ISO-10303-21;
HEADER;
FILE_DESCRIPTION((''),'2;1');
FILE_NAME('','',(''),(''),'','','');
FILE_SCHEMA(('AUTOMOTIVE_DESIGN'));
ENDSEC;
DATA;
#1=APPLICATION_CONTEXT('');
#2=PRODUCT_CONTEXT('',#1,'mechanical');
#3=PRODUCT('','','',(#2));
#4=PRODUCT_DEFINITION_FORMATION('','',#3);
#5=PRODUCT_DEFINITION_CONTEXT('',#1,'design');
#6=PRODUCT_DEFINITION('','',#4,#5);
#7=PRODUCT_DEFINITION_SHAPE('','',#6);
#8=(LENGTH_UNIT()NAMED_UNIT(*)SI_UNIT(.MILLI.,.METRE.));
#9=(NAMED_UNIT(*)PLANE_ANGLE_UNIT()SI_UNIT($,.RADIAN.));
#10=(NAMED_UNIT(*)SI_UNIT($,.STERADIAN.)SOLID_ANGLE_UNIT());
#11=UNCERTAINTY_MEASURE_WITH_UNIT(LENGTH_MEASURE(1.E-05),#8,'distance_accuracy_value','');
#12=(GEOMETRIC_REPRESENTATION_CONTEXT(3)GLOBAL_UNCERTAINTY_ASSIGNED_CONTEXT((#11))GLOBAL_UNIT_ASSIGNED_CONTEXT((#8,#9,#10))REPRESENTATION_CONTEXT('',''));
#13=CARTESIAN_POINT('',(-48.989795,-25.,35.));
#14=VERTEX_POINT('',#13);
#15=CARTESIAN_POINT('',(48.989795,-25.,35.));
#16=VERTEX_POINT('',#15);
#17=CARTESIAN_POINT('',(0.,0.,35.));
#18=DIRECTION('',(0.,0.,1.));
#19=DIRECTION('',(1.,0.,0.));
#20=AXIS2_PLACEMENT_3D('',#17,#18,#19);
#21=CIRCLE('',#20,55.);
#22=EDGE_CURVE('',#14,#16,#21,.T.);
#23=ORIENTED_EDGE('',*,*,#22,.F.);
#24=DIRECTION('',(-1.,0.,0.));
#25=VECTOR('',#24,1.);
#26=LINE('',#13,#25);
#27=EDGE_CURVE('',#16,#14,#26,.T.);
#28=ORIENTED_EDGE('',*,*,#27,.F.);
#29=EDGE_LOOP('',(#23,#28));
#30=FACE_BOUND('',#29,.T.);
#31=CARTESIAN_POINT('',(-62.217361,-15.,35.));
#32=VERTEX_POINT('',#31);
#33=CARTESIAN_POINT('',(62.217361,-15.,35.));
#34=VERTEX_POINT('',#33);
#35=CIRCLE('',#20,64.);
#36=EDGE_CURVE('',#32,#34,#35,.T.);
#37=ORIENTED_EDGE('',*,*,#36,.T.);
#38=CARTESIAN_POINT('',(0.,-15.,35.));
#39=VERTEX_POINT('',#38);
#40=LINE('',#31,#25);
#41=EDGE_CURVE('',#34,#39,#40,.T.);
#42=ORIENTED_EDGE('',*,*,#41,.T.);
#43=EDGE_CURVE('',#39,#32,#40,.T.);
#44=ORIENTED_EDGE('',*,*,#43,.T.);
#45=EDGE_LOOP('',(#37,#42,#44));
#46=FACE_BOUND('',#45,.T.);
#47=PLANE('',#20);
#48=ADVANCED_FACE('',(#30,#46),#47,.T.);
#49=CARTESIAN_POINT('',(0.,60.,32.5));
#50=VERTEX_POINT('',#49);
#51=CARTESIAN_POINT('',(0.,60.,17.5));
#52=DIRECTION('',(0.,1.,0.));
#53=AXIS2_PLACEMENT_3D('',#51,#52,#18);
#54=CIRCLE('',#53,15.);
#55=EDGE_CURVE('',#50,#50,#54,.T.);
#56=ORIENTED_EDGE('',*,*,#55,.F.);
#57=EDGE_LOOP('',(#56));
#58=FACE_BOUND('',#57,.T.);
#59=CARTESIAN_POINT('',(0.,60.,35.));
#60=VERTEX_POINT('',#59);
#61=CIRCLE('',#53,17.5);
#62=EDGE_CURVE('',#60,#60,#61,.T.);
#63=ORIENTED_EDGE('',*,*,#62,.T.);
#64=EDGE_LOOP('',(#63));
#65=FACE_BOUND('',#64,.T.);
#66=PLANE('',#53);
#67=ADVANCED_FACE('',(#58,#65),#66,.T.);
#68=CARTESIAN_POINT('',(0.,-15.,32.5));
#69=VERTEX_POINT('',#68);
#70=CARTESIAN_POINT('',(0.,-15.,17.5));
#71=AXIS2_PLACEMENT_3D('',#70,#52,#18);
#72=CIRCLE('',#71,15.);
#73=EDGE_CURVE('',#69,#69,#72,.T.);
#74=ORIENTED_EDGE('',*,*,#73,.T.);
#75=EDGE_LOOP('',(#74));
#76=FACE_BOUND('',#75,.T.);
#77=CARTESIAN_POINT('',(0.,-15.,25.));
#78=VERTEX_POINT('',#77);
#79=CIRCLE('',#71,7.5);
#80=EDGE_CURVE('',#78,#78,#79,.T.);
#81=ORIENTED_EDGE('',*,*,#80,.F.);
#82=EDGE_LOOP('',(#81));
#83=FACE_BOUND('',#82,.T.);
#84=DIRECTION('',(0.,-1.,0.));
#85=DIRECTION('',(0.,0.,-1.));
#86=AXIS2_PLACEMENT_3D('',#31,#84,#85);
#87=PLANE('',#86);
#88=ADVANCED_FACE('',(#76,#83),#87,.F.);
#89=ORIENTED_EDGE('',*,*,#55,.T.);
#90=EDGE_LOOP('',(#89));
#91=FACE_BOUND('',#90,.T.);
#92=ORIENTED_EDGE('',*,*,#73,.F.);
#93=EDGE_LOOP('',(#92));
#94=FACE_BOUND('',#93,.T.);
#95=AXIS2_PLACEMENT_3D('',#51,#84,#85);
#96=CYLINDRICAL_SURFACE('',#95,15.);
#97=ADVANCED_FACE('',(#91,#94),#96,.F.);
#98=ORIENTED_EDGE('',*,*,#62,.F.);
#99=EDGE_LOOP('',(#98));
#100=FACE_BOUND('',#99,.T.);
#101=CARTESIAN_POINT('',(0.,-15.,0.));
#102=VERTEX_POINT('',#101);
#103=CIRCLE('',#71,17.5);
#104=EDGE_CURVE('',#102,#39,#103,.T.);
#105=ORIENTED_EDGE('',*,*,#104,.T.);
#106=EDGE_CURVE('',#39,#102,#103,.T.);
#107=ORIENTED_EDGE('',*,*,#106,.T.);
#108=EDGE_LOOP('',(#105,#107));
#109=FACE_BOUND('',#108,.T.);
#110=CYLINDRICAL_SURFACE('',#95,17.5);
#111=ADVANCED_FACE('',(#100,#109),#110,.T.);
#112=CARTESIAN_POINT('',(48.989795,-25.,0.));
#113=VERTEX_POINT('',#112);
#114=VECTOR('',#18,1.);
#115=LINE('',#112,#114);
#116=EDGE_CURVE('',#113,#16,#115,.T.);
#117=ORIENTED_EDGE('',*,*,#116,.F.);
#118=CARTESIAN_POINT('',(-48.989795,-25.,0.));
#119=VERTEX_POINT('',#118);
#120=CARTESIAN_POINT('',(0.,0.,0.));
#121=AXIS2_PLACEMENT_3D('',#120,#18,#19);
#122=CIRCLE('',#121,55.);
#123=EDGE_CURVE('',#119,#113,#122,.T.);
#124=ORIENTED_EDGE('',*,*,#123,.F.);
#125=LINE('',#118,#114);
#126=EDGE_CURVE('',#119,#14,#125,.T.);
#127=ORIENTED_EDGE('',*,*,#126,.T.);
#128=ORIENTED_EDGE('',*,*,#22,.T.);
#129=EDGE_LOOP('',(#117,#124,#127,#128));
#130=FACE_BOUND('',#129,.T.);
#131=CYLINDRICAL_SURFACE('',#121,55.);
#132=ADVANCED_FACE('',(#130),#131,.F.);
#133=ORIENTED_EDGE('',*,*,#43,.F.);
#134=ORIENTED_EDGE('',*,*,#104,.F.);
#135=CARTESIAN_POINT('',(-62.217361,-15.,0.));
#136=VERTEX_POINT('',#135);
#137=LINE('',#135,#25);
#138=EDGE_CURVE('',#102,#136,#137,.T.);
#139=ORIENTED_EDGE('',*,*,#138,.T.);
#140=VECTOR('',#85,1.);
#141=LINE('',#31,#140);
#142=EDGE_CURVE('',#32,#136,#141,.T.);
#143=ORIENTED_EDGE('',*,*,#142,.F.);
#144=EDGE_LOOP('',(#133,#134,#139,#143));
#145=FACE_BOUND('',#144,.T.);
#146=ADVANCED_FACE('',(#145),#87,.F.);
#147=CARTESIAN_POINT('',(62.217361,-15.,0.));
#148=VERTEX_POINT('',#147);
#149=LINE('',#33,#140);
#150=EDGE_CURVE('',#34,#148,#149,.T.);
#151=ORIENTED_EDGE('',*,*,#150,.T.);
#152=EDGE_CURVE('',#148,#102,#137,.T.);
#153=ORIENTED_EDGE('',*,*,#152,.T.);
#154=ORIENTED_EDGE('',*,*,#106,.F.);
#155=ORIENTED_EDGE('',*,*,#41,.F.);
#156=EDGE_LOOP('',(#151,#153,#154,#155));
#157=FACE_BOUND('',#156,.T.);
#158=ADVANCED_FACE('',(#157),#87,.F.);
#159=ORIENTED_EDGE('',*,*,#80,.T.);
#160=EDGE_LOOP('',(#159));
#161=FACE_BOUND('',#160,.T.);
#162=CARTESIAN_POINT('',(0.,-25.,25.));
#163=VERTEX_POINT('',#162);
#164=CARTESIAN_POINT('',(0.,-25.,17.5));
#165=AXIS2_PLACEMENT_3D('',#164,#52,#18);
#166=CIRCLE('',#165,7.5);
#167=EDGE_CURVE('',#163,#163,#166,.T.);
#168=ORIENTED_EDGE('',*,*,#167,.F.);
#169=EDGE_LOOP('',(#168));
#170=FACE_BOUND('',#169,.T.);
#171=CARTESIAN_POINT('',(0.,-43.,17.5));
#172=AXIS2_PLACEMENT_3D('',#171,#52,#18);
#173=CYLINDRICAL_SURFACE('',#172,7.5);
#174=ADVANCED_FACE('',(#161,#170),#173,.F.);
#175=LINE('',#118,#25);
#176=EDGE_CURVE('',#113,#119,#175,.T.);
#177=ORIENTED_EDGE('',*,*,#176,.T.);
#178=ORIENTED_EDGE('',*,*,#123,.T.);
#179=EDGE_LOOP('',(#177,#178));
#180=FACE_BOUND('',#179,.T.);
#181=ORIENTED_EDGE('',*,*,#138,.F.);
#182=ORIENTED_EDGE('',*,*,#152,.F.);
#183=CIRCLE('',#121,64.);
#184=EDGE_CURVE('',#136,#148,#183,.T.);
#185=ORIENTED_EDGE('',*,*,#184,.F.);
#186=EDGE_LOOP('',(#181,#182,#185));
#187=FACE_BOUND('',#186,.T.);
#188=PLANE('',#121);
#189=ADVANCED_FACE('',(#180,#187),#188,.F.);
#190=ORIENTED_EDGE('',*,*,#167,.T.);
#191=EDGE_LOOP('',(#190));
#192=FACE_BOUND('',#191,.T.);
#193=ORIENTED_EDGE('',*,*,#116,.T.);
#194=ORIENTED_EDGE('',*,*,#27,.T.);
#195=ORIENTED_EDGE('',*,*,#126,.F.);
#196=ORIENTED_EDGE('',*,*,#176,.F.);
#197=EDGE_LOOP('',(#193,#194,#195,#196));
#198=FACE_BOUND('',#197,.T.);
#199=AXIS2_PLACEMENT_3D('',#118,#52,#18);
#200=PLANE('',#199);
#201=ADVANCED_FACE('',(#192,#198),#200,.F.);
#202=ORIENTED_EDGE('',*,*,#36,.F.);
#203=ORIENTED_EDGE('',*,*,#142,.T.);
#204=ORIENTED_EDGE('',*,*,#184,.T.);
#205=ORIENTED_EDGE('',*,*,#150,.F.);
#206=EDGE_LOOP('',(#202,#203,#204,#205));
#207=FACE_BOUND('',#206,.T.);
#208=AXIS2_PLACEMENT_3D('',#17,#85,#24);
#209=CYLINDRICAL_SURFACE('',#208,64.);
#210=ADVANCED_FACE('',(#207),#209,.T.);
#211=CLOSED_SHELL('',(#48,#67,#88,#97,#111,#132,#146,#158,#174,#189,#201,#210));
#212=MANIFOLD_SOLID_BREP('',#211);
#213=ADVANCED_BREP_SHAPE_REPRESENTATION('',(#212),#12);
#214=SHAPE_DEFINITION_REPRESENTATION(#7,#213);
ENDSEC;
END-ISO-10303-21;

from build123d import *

# Parameters (mm, degrees)
Y_KSEKLIK_EKSTR_ZYON1_DEPTH = 35
KES_EKSTR_ZYON1_DEPTH       = 35
IZIM3_R                     = 17.5
IZIM3_R_2                   = 15
Y_KSEKLIK_EKSTR_ZYON2_DEPTH = 75
IZIM4_R                     = 7.5
KES_EKSTR_ZYON2_DEPTH       = 28


with BuildPart() as part:
    # Çizim1 → Yükseklik-Ekstrüzyon1 (new body)
    with BuildSketch(Plane.XY):
        with BuildLine():
            Line((-62.217360921, -15), (62.217360921, -15))
            ThreePointArc((62.217360921, -15), (0, -64), (-62.217360921, -15))
        make_face()
    extrude(amount=Y_KSEKLIK_EKSTR_ZYON1_DEPTH)

    # Çizim2 → Kes-Ekstrüzyon1 (cut)
    with BuildSketch(Plane.XY.offset(35)):
        with BuildLine():
            Line((-48.989794856, -25), (48.989794856, -25))
            ThreePointArc((48.989794856, -25), (0, -55), (-48.989794856, -25))
        make_face()
    extrude(amount=-KES_EKSTR_ZYON1_DEPTH, mode=Mode.SUBTRACT)

    # Çizim3 → Yükseklik-Ekstrüzyon2 (add)
    with BuildSketch(Plane(origin=(0, -15, 0), x_dir=(1, 0, 0), z_dir=(0, 1, 0))):
        with Locations(Location((0, -17.5, 0), (0, 0, 270))):
            Circle(IZIM3_R)
        with Locations(Location((0, -17.5, 0), (0, 0, 270))):
            Circle(IZIM3_R_2, mode=Mode.SUBTRACT)
    extrude(amount=Y_KSEKLIK_EKSTR_ZYON2_DEPTH)

    # Çizim4 → Kes-Ekstrüzyon2 (cut)
    with BuildSketch(Plane(origin=(0, -15, 0), x_dir=(1, 0, 0), z_dir=(0, 1, 0))):
        with Locations(Location((0, -17.5, 0), (0, 0, 270))):
            Circle(IZIM4_R)
    extrude(amount=-KES_EKSTR_ZYON2_DEPTH, mode=Mode.SUBTRACT)


solid = part.part
